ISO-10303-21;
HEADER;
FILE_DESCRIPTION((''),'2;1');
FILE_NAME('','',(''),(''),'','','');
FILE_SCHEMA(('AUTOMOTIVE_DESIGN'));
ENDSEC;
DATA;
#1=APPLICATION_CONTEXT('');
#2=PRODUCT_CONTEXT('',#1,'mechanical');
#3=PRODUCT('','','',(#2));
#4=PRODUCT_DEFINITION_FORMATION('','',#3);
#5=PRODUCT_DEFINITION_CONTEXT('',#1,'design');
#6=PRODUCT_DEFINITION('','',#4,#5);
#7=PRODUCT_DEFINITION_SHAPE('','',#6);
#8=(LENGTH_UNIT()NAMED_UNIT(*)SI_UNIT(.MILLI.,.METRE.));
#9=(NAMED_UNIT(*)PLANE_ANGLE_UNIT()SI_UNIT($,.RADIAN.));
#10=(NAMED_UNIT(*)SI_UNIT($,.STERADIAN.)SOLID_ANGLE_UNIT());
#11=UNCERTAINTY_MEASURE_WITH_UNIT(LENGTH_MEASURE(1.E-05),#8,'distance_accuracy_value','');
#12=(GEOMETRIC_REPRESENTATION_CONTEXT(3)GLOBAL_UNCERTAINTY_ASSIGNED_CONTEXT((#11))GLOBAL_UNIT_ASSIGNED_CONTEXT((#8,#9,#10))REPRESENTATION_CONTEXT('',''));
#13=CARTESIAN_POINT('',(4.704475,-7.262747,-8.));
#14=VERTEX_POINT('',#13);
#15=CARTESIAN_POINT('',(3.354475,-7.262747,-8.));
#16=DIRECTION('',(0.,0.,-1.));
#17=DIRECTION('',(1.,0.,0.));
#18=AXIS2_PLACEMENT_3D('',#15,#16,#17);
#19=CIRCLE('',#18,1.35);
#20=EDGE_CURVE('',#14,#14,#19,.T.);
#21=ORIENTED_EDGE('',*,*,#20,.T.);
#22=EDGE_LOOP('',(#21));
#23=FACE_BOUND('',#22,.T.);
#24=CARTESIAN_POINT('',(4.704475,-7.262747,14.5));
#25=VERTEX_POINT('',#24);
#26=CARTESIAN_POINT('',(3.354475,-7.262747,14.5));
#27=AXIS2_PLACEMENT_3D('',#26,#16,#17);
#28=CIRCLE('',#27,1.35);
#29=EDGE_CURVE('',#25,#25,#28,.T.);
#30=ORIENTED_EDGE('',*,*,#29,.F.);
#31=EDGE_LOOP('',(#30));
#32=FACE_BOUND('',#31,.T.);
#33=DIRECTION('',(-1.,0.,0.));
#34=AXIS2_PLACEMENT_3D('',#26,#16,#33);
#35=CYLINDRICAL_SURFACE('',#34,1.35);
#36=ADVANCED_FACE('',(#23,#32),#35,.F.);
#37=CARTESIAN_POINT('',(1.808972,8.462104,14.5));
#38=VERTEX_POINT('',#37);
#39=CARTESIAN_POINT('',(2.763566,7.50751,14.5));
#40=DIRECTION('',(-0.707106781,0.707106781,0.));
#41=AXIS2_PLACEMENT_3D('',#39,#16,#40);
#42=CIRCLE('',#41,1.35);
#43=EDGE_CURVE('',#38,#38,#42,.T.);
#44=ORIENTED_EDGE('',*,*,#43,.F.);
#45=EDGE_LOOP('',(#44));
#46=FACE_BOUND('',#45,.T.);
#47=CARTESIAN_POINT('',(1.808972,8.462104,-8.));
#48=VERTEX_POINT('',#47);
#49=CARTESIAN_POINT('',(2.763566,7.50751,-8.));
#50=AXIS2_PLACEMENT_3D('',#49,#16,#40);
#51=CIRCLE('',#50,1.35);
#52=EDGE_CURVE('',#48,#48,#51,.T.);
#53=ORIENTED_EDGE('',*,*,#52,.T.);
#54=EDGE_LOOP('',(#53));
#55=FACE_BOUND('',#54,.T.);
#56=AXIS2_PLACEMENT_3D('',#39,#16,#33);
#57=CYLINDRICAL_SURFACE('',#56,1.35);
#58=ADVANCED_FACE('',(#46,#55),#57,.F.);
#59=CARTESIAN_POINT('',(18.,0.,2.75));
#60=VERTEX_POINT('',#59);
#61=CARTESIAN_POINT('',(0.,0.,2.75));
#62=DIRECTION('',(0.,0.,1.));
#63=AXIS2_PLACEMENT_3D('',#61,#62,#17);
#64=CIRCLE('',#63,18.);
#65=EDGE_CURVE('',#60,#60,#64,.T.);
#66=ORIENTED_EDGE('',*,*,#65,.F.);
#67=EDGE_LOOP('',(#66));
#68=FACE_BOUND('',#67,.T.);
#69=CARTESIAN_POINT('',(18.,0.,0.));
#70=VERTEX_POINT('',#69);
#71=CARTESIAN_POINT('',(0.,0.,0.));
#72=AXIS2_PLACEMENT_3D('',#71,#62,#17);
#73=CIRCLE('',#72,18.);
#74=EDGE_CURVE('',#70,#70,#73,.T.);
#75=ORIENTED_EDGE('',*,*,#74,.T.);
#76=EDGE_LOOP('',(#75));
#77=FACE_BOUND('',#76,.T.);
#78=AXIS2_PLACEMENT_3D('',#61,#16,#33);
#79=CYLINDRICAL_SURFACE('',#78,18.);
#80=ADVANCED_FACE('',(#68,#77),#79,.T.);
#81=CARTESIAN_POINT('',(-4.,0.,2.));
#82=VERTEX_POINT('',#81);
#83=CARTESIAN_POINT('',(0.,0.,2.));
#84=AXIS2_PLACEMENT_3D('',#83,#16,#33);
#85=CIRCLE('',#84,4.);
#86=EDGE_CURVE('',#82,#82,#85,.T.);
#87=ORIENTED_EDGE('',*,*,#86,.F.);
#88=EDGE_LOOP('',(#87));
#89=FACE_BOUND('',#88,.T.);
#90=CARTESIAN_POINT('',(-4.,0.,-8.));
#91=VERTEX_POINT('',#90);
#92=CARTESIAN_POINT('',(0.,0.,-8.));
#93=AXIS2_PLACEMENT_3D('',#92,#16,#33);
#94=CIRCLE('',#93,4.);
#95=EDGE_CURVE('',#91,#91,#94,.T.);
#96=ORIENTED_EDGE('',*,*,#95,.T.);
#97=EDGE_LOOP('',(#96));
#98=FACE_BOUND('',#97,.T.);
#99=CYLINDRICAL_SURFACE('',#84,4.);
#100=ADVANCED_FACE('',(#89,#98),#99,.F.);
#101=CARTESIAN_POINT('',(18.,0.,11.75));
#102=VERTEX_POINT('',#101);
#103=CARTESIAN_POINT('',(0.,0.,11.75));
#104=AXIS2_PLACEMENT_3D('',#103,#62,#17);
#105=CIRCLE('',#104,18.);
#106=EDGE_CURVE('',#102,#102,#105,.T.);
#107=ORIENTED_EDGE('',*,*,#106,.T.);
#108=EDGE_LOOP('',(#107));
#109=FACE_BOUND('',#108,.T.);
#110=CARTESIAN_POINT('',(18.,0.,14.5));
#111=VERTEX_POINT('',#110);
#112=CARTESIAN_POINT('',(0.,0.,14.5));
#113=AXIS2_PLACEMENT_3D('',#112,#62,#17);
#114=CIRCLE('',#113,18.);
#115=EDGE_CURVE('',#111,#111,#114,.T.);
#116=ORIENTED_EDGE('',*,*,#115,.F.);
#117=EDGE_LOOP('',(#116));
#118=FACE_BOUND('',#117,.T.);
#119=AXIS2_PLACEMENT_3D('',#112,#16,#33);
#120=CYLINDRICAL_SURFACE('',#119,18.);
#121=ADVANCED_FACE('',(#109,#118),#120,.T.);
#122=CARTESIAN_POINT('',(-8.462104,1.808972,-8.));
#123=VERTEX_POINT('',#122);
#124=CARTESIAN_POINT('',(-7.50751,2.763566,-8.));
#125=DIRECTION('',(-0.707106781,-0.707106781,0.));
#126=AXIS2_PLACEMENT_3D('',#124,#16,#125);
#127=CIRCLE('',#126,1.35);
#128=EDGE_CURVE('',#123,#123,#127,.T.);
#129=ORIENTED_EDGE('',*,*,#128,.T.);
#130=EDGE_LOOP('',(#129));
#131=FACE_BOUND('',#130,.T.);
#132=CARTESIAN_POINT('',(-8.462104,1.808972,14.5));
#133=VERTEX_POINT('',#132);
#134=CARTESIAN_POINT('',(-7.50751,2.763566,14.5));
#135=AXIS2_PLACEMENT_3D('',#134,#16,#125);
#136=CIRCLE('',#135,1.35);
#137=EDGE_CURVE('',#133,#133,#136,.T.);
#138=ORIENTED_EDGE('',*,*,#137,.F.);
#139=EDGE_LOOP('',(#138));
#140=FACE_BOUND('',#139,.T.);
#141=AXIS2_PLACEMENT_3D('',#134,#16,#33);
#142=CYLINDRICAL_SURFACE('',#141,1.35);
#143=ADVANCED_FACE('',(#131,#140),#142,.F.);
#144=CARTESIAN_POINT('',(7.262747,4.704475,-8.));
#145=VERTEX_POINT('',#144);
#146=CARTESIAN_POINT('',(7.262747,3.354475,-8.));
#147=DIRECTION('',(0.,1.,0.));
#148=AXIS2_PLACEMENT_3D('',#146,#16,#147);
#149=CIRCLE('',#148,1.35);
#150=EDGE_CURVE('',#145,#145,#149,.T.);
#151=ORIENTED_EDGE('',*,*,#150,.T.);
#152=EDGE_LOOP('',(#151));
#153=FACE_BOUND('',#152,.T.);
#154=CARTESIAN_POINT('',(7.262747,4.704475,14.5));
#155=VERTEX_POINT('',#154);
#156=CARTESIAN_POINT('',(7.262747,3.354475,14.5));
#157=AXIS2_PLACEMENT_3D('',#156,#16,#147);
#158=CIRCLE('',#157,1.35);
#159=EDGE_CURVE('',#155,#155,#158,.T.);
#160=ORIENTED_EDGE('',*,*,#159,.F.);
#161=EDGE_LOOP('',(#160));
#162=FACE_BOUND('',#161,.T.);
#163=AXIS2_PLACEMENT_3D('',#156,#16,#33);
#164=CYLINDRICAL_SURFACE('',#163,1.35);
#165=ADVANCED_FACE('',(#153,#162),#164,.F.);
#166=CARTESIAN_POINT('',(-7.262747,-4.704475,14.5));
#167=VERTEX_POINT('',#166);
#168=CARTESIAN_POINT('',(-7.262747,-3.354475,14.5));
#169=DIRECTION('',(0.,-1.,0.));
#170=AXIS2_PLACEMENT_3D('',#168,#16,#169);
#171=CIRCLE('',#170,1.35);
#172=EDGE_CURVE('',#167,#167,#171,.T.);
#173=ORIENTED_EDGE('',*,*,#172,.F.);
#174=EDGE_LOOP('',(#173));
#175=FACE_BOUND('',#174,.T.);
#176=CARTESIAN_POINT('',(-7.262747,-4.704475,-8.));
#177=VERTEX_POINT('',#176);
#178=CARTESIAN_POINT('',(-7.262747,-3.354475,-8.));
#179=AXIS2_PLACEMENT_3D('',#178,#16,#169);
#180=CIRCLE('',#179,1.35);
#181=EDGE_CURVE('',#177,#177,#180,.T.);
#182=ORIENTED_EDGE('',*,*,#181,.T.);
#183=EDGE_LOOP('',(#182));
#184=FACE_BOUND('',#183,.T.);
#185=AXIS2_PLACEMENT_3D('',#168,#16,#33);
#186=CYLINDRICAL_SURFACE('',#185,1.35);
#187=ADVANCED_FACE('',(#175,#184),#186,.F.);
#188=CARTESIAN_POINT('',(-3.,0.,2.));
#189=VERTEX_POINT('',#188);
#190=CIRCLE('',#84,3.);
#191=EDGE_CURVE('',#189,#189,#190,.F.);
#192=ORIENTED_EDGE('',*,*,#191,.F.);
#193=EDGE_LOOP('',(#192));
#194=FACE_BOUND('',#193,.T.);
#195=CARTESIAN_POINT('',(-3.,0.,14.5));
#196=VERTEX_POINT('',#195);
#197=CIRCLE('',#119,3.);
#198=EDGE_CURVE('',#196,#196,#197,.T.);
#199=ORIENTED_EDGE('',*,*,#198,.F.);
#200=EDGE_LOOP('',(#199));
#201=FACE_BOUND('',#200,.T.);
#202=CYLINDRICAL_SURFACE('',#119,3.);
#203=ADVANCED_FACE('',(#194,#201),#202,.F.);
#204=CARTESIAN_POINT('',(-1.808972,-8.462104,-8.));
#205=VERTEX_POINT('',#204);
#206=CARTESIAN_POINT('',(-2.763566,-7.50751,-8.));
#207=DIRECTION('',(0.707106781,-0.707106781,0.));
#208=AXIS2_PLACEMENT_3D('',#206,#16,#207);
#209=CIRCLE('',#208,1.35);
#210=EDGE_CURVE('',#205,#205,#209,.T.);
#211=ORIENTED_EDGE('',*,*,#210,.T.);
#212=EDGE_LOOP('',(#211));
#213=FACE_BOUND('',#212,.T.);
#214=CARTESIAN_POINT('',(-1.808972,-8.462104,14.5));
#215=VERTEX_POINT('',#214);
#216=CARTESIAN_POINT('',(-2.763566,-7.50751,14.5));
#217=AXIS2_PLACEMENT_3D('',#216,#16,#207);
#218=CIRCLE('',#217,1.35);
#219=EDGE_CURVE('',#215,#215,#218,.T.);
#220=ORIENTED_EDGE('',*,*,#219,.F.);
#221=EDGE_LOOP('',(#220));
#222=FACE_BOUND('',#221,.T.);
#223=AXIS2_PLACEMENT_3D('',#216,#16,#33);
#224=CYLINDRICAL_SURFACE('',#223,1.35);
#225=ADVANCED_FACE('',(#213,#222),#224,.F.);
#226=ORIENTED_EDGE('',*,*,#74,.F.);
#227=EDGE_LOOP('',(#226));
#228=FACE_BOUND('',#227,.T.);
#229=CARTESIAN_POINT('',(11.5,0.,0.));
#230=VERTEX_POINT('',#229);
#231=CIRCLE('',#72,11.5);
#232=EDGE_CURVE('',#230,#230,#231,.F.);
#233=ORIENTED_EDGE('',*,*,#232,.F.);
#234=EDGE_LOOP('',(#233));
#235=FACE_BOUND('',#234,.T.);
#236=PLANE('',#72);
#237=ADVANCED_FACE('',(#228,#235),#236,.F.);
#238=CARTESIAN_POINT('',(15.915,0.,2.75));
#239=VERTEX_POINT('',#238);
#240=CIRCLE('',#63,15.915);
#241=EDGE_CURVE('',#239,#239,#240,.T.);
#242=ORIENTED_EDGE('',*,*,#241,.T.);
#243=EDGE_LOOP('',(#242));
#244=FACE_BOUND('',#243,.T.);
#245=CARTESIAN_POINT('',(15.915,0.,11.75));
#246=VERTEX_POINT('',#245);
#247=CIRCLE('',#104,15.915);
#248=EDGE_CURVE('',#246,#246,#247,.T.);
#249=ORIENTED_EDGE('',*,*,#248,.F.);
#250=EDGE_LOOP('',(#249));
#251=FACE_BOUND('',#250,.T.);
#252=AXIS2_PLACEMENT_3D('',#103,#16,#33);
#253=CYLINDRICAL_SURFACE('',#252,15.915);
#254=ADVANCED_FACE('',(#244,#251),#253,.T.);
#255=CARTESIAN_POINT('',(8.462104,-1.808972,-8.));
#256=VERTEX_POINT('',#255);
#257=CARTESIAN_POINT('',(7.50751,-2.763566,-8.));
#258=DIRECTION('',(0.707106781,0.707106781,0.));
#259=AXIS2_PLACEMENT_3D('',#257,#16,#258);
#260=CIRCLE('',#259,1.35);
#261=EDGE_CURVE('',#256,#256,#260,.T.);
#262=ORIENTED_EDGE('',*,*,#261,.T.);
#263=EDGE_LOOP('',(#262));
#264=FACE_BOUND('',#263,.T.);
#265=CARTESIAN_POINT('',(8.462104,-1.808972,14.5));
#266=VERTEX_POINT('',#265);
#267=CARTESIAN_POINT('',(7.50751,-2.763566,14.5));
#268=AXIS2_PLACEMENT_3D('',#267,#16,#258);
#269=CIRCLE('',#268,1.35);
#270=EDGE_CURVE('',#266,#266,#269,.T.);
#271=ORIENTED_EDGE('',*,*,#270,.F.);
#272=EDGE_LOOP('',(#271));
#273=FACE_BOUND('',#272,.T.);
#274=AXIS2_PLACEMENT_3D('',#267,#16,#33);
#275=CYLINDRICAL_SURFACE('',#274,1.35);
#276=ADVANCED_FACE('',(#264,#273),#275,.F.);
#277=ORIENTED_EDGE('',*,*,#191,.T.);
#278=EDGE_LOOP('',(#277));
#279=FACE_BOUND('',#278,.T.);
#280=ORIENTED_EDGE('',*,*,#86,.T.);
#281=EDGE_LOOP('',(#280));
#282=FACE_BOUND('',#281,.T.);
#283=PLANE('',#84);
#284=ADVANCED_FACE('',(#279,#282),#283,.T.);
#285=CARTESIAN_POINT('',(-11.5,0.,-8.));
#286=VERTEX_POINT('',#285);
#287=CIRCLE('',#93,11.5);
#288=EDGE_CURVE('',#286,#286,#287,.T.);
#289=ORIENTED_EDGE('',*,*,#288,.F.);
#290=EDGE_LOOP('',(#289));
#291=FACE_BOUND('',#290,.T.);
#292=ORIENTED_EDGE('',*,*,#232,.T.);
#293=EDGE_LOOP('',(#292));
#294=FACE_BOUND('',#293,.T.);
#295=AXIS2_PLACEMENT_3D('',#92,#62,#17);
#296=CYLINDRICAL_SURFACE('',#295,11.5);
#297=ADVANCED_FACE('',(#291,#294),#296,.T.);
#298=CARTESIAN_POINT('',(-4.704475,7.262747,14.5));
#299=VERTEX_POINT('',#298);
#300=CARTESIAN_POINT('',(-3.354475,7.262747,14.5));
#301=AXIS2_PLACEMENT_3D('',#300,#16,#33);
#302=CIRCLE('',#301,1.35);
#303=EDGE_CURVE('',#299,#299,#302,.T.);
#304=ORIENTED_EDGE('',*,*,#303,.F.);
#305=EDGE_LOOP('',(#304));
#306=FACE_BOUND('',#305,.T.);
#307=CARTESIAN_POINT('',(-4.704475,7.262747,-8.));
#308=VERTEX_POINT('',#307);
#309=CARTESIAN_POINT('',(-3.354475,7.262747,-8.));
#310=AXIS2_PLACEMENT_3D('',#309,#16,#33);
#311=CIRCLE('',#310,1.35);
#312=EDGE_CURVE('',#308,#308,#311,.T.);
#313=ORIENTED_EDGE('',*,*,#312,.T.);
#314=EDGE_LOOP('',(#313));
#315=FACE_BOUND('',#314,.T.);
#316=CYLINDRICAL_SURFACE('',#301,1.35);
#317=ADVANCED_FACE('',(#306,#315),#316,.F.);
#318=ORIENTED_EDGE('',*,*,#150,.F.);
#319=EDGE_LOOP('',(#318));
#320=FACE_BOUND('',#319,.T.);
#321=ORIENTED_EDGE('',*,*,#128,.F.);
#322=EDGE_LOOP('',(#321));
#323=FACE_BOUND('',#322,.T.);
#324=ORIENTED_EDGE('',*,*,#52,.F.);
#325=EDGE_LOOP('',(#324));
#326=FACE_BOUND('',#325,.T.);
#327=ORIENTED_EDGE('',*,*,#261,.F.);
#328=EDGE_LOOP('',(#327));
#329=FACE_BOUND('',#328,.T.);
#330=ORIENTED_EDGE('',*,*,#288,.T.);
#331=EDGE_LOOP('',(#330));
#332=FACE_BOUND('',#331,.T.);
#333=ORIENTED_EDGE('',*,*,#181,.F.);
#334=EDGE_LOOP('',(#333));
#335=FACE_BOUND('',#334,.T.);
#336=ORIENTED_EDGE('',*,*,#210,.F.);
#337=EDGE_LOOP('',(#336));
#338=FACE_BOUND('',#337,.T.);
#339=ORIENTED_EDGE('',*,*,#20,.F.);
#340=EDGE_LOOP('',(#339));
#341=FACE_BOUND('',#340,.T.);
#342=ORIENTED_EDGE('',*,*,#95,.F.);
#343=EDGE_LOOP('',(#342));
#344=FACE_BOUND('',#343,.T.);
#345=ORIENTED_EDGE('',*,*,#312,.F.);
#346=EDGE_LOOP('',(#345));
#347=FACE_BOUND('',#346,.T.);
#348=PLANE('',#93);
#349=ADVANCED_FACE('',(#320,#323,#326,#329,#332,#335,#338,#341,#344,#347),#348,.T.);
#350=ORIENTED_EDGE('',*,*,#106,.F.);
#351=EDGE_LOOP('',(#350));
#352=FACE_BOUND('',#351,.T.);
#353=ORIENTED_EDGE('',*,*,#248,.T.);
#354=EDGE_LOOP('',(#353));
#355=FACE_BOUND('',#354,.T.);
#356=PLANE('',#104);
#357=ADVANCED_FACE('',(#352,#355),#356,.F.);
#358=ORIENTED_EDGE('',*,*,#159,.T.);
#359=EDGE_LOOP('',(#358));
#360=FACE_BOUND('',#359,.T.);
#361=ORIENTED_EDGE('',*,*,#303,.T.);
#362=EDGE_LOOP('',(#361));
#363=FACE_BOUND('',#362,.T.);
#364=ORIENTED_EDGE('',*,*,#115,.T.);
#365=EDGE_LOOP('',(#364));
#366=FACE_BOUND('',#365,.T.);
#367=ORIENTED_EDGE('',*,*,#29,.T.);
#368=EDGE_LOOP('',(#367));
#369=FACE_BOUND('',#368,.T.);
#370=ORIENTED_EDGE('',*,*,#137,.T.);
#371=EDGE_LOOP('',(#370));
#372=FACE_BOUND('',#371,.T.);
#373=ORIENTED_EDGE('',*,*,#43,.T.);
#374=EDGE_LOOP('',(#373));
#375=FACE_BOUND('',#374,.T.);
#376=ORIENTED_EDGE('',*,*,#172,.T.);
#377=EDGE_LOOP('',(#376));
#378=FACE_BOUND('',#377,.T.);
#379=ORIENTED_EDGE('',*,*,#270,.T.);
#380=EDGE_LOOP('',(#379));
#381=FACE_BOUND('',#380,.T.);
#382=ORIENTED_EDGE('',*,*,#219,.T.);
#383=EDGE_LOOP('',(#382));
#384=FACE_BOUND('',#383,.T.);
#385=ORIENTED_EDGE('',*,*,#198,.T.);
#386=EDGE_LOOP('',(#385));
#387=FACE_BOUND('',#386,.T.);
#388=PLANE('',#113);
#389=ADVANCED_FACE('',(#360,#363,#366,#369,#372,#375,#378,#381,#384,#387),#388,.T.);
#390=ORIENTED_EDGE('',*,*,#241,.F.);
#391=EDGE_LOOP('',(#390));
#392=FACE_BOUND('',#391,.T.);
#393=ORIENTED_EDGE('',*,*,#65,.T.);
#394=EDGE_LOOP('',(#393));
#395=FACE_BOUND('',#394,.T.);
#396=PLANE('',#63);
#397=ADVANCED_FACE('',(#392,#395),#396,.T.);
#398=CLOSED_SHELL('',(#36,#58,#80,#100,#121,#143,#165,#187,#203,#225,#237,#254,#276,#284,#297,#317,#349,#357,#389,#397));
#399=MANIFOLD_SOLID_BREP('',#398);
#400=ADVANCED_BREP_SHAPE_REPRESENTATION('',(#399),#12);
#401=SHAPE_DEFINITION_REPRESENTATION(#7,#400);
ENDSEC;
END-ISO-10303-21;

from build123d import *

# Parameters (mm, degrees)
ESQUISSE1_R                  = 18
BOSS_EXTRU_2_DEPTH           = 2.75
ESQUISSE2_R                  = 15.915
BOSS_EXTRU_3_DEPTH           = 9
ESQUISSE3_R                  = 18
BOSS_EXTRU_4_DEPTH           = 2.75
ESQUISSE4_R                  = 11.5
BOSS_EXTRU_5_DEPTH           = 8
ESQUISSE5_R                  = 3
ENL_V_MAT_EXTRU_1_DEPTH      = 23.5
ESQUISSE6_R                  = 4
ENL_V_MAT_EXTRU_2_DEPTH      = 10
ESQUISSE7_R                  = 1.35
ENL_V_MAT_EXTRU_3_DEPTH      = 23.5
R_P_TITION_CIRCULAIRE1_COUNT = 8


with BuildPart() as part:
    # Esquisse1 → Boss.-Extru.2 (new body)
    with BuildSketch(Plane.XY):
        Circle(ESQUISSE1_R)
    extrude(amount=BOSS_EXTRU_2_DEPTH)

    # Esquisse2 → Boss.-Extru.3 (add)
    with BuildSketch(Plane.XY.offset(2.75)):
        Circle(ESQUISSE2_R)
    extrude(amount=BOSS_EXTRU_3_DEPTH)

    # Esquisse3 → Boss.-Extru.4 (add)
    with BuildSketch(Plane.XY.offset(11.75)):
        Circle(ESQUISSE3_R)
    extrude(amount=BOSS_EXTRU_4_DEPTH)

    # Esquisse4 → Boss.-Extru.5 (add)
    with BuildSketch(Plane(origin=(0, 0, 0), x_dir=(-1, 0, 0), z_dir=(0, 0, -1))):
        with Locations(Location((0, 0, 0), (0, 0, 180))):  # turned: the seam where the file's is
            Circle(ESQUISSE4_R)
    extrude(amount=BOSS_EXTRU_5_DEPTH)

    # Esquisse5 → Enlèv. mat.-Extru.1 (cut, through all)
    with BuildSketch(Plane(origin=(0, 0, -8), x_dir=(-1, 0, 0), z_dir=(0, 0, -1))):
        Circle(ESQUISSE5_R)
    extrude(amount=-ENL_V_MAT_EXTRU_1_DEPTH, mode=Mode.SUBTRACT)

    # Esquisse6 → Enlèv. mat.-Extru.2 (cut)
    with BuildSketch(Plane(origin=(0, 0, -8), x_dir=(-1, 0, 0), z_dir=(0, 0, -1))):
        Circle(ESQUISSE6_R)
    extrude(amount=-ENL_V_MAT_EXTRU_2_DEPTH, mode=Mode.SUBTRACT)

    # Esquisse7 → Enlèv. mat.-Extru.3 (cut, through all)
    with BuildSketch(Plane(origin=(0, 0, -8), x_dir=(-1, 0, 0), z_dir=(0, 0, -1))):
        with Locations((3.354474935, 7.26274727)):
            Circle(ESQUISSE7_R)
    enl_v_mat_extru_3 = extrude(amount=-ENL_V_MAT_EXTRU_3_DEPTH, mode=Mode.SUBTRACT)

    # Répétition circulaire1: Enlèv. mat.-Extru.3 ×8 about axis
    r_p_tition_circulaire1_axis = Axis((0, 0, 0), (0, 0, 1))
    for i in range(1, R_P_TITION_CIRCULAIRE1_COUNT):
        add(enl_v_mat_extru_3.rotate(r_p_tition_circulaire1_axis, i * 360 / R_P_TITION_CIRCULAIRE1_COUNT), mode=Mode.SUBTRACT)


solid = part.part
